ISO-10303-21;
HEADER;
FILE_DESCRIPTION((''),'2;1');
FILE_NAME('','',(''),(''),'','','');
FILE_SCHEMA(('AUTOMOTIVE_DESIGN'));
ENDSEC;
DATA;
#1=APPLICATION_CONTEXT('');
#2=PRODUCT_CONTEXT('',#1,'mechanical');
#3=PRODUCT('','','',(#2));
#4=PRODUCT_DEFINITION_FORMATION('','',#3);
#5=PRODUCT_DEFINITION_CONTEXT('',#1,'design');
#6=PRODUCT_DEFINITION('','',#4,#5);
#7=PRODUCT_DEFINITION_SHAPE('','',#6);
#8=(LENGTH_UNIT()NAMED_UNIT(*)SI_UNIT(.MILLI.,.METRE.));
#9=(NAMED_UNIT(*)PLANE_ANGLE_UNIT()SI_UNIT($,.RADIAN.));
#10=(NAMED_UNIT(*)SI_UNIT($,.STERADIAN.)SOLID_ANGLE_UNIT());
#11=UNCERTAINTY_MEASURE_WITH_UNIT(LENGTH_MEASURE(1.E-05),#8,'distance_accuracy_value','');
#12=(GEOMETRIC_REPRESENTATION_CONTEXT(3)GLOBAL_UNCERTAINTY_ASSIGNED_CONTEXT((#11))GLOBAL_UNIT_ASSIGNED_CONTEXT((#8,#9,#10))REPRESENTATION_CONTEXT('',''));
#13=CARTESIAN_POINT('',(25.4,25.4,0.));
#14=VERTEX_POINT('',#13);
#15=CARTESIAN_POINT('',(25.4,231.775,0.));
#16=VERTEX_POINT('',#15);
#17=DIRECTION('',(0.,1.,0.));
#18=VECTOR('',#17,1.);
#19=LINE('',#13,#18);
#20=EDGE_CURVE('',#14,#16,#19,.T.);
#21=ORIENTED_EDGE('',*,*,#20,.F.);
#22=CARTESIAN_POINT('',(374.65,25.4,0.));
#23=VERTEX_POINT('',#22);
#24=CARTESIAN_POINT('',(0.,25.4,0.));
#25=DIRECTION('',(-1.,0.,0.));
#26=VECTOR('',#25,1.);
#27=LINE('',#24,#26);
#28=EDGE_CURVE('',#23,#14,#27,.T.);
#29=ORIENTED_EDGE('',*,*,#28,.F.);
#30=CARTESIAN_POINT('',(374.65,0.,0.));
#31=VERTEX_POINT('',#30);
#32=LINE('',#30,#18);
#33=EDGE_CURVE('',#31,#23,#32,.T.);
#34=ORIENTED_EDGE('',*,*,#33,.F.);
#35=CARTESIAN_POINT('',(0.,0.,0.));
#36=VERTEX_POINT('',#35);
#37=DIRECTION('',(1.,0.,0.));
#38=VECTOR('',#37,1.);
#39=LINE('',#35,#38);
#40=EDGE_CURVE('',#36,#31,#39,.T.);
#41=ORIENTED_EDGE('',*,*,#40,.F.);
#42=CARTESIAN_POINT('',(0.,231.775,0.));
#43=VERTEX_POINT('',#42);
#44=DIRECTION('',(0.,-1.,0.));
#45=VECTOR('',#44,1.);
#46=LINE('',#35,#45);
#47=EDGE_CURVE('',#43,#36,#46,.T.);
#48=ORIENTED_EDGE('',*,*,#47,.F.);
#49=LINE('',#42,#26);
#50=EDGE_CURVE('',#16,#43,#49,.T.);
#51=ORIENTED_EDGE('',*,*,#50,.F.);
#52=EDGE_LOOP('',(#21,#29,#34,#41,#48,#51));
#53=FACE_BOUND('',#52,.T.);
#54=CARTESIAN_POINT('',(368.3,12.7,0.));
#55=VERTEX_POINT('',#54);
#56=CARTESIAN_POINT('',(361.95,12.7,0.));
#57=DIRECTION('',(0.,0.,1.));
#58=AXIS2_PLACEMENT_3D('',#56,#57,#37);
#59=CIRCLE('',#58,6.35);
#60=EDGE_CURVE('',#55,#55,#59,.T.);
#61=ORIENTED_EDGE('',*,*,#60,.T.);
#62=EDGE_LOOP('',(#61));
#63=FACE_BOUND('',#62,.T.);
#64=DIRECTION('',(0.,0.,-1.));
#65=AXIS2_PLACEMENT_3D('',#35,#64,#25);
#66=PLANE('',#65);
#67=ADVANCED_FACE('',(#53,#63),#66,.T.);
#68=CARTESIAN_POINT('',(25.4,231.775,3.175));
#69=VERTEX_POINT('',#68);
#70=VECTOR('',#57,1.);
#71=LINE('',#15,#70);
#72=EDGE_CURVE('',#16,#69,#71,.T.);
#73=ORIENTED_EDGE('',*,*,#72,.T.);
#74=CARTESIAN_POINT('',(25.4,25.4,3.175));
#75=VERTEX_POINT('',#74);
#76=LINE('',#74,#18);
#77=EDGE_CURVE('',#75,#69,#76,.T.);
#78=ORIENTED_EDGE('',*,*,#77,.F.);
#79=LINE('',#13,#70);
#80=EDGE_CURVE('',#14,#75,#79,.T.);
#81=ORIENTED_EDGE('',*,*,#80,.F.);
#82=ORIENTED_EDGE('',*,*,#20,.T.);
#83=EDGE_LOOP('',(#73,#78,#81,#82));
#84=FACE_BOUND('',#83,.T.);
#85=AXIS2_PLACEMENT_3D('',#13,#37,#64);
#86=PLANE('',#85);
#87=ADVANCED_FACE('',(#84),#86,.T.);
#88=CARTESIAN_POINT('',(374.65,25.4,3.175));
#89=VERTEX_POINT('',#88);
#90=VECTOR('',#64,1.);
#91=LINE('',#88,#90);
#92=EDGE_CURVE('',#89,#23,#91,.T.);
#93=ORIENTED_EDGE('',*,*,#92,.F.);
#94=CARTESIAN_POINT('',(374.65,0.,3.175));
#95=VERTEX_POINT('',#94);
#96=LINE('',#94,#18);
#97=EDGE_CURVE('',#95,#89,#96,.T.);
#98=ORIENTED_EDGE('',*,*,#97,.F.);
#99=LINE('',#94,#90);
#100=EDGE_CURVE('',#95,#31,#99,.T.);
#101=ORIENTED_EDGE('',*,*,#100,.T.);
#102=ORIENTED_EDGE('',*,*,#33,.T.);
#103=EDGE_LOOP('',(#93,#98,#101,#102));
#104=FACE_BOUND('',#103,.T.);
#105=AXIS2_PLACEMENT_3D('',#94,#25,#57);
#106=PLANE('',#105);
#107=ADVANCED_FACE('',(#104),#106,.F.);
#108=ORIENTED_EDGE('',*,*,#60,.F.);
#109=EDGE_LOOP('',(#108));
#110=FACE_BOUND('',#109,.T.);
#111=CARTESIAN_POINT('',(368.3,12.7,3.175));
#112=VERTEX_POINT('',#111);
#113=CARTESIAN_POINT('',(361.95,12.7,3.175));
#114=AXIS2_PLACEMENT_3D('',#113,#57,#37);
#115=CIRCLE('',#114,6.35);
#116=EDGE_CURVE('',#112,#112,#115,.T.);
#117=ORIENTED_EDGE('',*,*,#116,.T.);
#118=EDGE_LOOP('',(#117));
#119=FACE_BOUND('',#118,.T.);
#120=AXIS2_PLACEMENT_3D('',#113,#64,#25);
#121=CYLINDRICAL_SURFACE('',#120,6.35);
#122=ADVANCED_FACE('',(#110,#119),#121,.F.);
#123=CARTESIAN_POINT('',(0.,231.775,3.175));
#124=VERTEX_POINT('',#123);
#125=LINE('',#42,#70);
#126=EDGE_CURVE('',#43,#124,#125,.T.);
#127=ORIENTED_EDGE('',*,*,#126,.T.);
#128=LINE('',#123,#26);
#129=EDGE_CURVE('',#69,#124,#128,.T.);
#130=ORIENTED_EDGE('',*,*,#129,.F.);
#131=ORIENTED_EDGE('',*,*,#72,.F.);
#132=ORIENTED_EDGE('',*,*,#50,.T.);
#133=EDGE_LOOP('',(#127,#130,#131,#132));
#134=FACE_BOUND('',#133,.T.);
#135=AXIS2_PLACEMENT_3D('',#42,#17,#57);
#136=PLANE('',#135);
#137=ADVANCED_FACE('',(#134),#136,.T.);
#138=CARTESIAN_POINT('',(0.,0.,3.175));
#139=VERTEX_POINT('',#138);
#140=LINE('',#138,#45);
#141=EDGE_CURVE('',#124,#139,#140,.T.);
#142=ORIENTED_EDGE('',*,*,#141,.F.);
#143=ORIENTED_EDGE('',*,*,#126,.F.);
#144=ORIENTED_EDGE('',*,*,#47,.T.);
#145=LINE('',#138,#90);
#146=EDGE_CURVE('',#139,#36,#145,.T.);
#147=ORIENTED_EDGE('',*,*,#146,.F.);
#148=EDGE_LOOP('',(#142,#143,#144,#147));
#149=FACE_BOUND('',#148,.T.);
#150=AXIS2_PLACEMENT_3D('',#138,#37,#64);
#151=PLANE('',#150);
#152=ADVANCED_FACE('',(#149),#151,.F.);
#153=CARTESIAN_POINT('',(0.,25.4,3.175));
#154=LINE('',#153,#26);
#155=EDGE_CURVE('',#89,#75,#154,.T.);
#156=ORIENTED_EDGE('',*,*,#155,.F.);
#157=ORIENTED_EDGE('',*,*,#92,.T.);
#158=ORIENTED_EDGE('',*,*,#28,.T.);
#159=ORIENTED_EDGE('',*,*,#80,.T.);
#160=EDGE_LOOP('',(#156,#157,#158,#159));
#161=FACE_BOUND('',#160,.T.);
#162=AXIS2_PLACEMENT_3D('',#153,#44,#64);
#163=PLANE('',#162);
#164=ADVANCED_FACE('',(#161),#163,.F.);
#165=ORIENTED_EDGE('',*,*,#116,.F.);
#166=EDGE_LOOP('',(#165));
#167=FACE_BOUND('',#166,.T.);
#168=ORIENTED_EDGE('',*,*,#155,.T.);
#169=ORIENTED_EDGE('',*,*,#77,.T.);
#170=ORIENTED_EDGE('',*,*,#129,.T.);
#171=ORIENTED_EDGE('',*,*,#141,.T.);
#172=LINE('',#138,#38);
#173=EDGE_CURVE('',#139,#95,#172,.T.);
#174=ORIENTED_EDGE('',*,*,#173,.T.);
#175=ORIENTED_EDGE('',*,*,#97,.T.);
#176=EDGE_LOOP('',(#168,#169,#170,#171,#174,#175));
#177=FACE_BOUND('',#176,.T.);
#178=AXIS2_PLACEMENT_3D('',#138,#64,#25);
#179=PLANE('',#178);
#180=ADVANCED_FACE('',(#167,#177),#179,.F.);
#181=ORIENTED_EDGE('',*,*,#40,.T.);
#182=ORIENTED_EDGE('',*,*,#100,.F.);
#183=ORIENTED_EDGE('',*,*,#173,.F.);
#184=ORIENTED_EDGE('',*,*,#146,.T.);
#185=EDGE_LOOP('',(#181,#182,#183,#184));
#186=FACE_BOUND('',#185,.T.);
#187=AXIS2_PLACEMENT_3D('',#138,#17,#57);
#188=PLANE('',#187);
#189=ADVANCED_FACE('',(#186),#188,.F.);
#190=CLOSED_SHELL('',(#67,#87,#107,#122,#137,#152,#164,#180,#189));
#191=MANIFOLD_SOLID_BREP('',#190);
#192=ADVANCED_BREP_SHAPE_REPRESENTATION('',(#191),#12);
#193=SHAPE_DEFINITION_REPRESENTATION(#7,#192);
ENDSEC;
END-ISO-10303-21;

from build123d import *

# Parameters (mm, degrees)
SKETCH1_W           = 374.65
SKETCH1_H           = 25.4
SKETCH1_R           = 6.35
BOSS_EXTRUDE1_DEPTH = 3.175
SKETCH2_W           = 25.4
SKETCH2_H           = 206.375
BOSS_EXTRUDE2_DEPTH = 3.175


with BuildPart() as part:
    # Sketch1 → Boss-Extrude1 (new body)
    with BuildSketch(Plane.XY):
        with Locations((187.325, 12.7)):
            Rectangle(SKETCH1_W, SKETCH1_H)
        with Locations((361.95, 12.7)):
            Circle(SKETCH1_R, mode=Mode.SUBTRACT)
    extrude(amount=BOSS_EXTRUDE1_DEPTH)

    # Sketch2 → Boss-Extrude2 (add)
    with BuildSketch(Plane.XY.offset(3.175)):
        with Locations((12.7, 128.5875)):
            Rectangle(SKETCH2_W, SKETCH2_H)
    extrude(amount=-BOSS_EXTRUDE2_DEPTH)


solid = part.part
